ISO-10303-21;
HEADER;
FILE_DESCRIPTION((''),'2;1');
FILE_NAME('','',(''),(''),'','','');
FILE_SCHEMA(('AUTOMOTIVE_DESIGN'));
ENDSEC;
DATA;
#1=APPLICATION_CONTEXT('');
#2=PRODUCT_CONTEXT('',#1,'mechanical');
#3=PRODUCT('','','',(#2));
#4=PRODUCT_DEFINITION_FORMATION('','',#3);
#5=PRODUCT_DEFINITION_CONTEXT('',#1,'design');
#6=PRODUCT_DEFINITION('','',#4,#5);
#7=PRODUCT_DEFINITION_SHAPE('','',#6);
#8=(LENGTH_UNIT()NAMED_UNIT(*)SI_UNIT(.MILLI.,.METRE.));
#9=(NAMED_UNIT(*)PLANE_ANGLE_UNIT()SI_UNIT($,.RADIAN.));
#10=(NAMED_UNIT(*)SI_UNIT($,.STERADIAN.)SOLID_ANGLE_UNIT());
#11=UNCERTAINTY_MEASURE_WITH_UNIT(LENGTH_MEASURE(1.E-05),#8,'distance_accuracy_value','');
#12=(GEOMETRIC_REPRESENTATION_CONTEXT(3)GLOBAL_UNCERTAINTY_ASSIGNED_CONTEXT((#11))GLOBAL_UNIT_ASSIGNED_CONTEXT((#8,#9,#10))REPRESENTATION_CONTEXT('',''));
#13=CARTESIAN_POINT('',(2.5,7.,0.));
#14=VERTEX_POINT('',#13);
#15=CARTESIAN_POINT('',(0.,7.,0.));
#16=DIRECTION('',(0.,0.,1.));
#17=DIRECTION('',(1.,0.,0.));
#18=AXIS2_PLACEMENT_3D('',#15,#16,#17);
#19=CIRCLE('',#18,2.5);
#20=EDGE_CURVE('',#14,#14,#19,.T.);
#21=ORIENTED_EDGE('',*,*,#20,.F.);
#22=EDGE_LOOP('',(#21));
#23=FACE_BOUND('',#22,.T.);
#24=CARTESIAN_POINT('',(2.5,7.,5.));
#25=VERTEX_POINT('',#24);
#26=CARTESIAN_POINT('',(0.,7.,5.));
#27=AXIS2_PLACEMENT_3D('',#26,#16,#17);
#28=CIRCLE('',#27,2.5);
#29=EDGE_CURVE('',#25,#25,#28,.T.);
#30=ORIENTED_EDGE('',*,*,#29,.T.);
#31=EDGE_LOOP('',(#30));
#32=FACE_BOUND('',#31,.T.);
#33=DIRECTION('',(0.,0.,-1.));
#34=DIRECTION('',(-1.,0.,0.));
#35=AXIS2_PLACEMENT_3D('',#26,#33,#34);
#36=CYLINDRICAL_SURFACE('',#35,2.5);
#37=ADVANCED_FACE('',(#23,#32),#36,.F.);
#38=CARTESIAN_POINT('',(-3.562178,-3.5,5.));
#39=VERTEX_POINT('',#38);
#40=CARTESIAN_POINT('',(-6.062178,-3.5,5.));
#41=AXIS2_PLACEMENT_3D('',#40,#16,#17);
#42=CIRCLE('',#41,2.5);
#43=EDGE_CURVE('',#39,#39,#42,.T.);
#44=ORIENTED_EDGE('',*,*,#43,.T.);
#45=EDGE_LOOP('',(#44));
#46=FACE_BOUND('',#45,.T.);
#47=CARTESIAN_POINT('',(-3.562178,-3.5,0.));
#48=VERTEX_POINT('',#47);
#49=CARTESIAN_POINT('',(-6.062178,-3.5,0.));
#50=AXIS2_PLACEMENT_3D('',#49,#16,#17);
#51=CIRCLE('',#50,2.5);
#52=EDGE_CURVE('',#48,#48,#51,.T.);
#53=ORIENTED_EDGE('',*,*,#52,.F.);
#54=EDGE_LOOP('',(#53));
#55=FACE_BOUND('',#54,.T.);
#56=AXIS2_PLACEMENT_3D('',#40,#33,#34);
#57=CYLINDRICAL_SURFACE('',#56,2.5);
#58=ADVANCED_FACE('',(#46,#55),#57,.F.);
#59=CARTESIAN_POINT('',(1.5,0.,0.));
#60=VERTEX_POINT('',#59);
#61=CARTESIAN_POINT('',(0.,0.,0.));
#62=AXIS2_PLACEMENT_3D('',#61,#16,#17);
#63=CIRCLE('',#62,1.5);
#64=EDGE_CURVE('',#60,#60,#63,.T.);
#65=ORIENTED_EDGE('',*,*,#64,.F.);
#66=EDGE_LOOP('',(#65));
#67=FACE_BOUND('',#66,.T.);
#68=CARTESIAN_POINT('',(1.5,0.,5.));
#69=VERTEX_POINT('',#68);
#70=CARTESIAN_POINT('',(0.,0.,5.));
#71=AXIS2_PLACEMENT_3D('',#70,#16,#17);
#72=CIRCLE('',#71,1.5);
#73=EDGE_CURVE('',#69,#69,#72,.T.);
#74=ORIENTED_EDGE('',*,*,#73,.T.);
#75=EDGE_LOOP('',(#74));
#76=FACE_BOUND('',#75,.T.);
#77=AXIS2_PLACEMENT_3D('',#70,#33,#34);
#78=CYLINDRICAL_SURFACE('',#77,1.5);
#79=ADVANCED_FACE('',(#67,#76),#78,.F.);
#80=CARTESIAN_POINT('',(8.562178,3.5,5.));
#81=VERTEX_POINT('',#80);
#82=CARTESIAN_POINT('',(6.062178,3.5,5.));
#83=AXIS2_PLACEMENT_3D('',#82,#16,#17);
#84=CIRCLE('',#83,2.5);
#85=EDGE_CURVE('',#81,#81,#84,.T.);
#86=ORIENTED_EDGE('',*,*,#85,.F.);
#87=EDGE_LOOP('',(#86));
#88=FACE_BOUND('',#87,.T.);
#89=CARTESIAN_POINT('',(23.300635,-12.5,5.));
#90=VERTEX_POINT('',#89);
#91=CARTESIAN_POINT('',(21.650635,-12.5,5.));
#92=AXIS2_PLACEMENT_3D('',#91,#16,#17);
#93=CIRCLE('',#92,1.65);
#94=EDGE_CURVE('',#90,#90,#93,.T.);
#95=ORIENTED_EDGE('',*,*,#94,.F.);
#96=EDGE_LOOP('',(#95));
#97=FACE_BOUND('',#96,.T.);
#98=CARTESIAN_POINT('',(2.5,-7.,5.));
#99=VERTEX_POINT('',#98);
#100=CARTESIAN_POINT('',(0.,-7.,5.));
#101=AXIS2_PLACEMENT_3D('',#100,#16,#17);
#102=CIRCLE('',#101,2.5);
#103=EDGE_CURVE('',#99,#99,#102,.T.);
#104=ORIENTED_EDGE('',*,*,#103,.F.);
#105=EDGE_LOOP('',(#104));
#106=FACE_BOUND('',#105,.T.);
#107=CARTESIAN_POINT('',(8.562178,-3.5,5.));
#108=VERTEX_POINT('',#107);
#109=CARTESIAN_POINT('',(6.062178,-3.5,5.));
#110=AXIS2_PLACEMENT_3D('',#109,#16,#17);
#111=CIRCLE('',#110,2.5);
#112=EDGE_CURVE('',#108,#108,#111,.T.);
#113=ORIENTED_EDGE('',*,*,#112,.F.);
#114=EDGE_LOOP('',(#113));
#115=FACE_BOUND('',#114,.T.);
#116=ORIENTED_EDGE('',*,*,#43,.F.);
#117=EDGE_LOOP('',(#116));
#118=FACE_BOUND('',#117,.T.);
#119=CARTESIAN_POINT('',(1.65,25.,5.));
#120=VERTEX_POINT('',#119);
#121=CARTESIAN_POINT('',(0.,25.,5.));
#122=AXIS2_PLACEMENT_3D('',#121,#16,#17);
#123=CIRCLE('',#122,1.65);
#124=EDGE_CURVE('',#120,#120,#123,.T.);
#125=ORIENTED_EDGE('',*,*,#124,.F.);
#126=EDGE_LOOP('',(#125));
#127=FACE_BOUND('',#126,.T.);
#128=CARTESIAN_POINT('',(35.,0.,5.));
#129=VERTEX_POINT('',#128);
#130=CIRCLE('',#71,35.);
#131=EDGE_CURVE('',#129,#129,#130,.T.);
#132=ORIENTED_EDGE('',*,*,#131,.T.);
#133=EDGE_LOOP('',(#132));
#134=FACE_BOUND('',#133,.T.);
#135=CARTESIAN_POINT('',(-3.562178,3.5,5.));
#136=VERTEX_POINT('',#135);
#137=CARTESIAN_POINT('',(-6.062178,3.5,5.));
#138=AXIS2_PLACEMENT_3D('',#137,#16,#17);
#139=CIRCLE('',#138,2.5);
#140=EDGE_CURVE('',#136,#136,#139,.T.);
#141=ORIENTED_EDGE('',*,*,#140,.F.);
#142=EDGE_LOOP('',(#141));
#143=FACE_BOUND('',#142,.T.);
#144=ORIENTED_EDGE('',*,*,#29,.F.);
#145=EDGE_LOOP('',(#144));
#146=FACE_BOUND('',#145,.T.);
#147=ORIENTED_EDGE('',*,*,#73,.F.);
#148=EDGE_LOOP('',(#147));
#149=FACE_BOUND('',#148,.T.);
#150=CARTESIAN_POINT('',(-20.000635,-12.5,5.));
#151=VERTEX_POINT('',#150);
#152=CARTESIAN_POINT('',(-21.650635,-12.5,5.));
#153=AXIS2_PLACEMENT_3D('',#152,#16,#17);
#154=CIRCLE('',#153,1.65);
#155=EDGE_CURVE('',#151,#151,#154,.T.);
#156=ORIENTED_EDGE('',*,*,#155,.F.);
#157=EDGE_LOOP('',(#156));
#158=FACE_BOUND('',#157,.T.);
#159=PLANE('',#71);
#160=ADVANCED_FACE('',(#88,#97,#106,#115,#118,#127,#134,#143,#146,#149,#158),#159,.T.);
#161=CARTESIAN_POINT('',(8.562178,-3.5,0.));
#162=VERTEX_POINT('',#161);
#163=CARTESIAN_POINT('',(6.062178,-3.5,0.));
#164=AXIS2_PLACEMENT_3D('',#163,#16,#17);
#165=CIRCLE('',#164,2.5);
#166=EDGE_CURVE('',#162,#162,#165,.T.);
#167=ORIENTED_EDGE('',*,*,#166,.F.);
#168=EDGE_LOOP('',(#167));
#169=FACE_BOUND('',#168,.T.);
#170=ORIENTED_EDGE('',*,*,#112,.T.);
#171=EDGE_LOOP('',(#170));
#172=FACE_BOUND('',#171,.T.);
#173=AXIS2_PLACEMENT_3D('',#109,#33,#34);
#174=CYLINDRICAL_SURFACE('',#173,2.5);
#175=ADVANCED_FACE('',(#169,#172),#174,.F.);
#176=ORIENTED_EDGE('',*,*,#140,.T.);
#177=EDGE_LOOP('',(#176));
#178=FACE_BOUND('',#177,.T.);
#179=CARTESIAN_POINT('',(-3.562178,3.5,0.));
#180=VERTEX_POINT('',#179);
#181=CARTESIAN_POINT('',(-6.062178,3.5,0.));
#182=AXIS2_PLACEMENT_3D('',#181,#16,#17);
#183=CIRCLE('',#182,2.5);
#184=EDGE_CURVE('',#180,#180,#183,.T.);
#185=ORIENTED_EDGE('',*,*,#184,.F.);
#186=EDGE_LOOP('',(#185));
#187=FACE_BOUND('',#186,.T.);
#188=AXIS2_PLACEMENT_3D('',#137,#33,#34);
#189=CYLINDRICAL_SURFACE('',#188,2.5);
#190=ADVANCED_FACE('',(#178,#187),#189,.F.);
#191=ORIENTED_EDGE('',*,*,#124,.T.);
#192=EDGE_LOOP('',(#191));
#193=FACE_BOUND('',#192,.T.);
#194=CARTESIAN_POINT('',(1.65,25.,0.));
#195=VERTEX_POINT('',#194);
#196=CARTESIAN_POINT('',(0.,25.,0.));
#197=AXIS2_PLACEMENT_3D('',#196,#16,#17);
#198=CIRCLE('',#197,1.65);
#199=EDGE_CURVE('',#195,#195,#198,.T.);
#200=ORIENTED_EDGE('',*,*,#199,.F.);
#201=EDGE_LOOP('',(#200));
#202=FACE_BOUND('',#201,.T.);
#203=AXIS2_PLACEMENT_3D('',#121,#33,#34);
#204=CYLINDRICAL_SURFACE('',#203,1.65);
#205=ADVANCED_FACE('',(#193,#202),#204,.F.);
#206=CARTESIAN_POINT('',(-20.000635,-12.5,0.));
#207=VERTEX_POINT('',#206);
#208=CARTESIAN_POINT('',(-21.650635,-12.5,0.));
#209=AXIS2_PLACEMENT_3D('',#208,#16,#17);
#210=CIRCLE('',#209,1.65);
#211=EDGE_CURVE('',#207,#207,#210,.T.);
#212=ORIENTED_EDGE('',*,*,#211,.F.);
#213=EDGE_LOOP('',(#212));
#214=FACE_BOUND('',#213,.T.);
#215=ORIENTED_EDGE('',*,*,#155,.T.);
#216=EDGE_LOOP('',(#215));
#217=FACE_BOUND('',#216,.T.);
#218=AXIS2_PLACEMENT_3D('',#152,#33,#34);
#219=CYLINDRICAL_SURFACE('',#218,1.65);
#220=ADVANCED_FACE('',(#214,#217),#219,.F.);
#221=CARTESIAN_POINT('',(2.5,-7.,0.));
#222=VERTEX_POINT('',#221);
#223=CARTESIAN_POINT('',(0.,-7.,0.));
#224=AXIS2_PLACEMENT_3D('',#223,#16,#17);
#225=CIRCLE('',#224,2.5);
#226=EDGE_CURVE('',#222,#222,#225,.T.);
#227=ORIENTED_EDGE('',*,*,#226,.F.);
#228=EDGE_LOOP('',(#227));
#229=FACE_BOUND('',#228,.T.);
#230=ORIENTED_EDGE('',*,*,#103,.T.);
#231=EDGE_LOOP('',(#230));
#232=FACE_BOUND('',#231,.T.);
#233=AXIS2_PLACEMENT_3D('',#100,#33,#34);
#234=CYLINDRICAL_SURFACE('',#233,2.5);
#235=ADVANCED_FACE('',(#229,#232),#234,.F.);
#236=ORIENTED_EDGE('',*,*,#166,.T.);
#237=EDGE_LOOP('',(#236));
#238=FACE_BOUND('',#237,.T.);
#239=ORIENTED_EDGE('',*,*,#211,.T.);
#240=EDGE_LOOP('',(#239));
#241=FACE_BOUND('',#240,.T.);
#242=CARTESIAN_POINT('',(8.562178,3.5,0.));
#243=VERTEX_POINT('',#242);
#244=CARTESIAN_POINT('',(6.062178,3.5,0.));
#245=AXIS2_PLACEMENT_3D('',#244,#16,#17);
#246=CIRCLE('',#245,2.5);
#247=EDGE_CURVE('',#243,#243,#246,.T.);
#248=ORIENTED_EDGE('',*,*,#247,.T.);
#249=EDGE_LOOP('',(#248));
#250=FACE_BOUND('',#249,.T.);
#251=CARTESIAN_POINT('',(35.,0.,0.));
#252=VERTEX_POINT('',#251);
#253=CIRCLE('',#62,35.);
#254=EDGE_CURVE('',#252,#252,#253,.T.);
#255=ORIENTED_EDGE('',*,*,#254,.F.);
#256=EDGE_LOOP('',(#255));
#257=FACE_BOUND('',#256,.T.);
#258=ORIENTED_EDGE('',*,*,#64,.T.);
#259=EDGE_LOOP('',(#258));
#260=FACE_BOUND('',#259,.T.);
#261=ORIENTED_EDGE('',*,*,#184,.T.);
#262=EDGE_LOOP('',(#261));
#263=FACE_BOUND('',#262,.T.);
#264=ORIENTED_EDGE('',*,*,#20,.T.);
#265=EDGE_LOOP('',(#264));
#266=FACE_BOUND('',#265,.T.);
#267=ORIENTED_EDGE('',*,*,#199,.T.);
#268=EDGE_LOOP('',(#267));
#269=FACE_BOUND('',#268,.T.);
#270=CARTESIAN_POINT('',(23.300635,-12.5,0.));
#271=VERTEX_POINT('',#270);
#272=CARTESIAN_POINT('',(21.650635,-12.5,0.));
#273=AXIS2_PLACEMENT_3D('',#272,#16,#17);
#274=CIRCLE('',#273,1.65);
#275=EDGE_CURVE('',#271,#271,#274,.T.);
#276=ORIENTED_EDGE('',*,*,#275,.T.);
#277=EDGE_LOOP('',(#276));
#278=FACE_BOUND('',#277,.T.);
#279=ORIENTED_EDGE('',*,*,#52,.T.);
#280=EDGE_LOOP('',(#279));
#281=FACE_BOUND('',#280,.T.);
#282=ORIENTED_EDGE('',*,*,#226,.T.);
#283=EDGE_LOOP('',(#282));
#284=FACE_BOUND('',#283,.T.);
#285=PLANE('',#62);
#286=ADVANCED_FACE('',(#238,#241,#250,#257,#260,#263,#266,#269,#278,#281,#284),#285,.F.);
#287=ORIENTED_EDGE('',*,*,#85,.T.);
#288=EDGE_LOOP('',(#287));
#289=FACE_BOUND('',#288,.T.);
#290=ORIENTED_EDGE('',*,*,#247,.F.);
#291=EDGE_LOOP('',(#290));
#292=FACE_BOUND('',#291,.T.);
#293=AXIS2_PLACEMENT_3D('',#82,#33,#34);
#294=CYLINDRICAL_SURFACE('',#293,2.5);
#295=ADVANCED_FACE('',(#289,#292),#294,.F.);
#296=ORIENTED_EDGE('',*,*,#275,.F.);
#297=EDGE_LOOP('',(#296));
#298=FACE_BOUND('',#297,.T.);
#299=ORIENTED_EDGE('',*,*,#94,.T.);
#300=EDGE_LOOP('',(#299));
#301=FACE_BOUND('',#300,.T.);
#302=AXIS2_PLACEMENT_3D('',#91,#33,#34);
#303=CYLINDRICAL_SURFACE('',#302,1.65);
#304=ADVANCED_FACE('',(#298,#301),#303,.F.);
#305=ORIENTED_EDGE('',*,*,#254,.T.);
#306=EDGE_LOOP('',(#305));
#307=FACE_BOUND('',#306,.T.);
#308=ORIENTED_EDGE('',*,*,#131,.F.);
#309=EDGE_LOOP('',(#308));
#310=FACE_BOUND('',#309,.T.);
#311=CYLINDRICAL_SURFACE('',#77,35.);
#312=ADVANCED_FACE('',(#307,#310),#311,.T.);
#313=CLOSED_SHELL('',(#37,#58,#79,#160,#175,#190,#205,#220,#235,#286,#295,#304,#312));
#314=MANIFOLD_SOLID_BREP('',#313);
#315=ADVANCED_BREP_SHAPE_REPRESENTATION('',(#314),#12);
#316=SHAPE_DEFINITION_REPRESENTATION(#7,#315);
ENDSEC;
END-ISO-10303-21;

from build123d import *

# Parameters (mm, degrees)
SKETCH1_R           = 35
SKETCH1_R_2         = 1.65
SKETCH1_R_3         = 1.5
SKETCH1_R_4         = 2.5
BOSS_EXTRUDE1_DEPTH = 5


with BuildPart() as part:
    # Sketch1 → Boss-Extrude1 (new body)
    with BuildSketch(Plane.XY):
        Circle(SKETCH1_R)
        with Locations((0, 25)):
            Circle(SKETCH1_R_2, mode=Mode.SUBTRACT)
        with Locations((21.650635095, -12.5)):
            Circle(SKETCH1_R_2, mode=Mode.SUBTRACT)
        with Locations((-21.650635095, -12.5)):
            Circle(SKETCH1_R_2, mode=Mode.SUBTRACT)
        Circle(SKETCH1_R_3, mode=Mode.SUBTRACT)
        with Locations((0, 7)):
            Circle(SKETCH1_R_4, mode=Mode.SUBTRACT)
        with Locations((6.062177826, 3.5)):
            Circle(SKETCH1_R_4, mode=Mode.SUBTRACT)
        with Locations((6.062177826, -3.5)):
            Circle(SKETCH1_R_4, mode=Mode.SUBTRACT)
        with Locations((0, -7)):
            Circle(SKETCH1_R_4, mode=Mode.SUBTRACT)
        with Locations((-6.062177826, -3.5)):
            Circle(SKETCH1_R_4, mode=Mode.SUBTRACT)
        with Locations((-6.062177826, 3.5)):
            Circle(SKETCH1_R_4, mode=Mode.SUBTRACT)
    extrude(amount=BOSS_EXTRUDE1_DEPTH)


solid = part.part
